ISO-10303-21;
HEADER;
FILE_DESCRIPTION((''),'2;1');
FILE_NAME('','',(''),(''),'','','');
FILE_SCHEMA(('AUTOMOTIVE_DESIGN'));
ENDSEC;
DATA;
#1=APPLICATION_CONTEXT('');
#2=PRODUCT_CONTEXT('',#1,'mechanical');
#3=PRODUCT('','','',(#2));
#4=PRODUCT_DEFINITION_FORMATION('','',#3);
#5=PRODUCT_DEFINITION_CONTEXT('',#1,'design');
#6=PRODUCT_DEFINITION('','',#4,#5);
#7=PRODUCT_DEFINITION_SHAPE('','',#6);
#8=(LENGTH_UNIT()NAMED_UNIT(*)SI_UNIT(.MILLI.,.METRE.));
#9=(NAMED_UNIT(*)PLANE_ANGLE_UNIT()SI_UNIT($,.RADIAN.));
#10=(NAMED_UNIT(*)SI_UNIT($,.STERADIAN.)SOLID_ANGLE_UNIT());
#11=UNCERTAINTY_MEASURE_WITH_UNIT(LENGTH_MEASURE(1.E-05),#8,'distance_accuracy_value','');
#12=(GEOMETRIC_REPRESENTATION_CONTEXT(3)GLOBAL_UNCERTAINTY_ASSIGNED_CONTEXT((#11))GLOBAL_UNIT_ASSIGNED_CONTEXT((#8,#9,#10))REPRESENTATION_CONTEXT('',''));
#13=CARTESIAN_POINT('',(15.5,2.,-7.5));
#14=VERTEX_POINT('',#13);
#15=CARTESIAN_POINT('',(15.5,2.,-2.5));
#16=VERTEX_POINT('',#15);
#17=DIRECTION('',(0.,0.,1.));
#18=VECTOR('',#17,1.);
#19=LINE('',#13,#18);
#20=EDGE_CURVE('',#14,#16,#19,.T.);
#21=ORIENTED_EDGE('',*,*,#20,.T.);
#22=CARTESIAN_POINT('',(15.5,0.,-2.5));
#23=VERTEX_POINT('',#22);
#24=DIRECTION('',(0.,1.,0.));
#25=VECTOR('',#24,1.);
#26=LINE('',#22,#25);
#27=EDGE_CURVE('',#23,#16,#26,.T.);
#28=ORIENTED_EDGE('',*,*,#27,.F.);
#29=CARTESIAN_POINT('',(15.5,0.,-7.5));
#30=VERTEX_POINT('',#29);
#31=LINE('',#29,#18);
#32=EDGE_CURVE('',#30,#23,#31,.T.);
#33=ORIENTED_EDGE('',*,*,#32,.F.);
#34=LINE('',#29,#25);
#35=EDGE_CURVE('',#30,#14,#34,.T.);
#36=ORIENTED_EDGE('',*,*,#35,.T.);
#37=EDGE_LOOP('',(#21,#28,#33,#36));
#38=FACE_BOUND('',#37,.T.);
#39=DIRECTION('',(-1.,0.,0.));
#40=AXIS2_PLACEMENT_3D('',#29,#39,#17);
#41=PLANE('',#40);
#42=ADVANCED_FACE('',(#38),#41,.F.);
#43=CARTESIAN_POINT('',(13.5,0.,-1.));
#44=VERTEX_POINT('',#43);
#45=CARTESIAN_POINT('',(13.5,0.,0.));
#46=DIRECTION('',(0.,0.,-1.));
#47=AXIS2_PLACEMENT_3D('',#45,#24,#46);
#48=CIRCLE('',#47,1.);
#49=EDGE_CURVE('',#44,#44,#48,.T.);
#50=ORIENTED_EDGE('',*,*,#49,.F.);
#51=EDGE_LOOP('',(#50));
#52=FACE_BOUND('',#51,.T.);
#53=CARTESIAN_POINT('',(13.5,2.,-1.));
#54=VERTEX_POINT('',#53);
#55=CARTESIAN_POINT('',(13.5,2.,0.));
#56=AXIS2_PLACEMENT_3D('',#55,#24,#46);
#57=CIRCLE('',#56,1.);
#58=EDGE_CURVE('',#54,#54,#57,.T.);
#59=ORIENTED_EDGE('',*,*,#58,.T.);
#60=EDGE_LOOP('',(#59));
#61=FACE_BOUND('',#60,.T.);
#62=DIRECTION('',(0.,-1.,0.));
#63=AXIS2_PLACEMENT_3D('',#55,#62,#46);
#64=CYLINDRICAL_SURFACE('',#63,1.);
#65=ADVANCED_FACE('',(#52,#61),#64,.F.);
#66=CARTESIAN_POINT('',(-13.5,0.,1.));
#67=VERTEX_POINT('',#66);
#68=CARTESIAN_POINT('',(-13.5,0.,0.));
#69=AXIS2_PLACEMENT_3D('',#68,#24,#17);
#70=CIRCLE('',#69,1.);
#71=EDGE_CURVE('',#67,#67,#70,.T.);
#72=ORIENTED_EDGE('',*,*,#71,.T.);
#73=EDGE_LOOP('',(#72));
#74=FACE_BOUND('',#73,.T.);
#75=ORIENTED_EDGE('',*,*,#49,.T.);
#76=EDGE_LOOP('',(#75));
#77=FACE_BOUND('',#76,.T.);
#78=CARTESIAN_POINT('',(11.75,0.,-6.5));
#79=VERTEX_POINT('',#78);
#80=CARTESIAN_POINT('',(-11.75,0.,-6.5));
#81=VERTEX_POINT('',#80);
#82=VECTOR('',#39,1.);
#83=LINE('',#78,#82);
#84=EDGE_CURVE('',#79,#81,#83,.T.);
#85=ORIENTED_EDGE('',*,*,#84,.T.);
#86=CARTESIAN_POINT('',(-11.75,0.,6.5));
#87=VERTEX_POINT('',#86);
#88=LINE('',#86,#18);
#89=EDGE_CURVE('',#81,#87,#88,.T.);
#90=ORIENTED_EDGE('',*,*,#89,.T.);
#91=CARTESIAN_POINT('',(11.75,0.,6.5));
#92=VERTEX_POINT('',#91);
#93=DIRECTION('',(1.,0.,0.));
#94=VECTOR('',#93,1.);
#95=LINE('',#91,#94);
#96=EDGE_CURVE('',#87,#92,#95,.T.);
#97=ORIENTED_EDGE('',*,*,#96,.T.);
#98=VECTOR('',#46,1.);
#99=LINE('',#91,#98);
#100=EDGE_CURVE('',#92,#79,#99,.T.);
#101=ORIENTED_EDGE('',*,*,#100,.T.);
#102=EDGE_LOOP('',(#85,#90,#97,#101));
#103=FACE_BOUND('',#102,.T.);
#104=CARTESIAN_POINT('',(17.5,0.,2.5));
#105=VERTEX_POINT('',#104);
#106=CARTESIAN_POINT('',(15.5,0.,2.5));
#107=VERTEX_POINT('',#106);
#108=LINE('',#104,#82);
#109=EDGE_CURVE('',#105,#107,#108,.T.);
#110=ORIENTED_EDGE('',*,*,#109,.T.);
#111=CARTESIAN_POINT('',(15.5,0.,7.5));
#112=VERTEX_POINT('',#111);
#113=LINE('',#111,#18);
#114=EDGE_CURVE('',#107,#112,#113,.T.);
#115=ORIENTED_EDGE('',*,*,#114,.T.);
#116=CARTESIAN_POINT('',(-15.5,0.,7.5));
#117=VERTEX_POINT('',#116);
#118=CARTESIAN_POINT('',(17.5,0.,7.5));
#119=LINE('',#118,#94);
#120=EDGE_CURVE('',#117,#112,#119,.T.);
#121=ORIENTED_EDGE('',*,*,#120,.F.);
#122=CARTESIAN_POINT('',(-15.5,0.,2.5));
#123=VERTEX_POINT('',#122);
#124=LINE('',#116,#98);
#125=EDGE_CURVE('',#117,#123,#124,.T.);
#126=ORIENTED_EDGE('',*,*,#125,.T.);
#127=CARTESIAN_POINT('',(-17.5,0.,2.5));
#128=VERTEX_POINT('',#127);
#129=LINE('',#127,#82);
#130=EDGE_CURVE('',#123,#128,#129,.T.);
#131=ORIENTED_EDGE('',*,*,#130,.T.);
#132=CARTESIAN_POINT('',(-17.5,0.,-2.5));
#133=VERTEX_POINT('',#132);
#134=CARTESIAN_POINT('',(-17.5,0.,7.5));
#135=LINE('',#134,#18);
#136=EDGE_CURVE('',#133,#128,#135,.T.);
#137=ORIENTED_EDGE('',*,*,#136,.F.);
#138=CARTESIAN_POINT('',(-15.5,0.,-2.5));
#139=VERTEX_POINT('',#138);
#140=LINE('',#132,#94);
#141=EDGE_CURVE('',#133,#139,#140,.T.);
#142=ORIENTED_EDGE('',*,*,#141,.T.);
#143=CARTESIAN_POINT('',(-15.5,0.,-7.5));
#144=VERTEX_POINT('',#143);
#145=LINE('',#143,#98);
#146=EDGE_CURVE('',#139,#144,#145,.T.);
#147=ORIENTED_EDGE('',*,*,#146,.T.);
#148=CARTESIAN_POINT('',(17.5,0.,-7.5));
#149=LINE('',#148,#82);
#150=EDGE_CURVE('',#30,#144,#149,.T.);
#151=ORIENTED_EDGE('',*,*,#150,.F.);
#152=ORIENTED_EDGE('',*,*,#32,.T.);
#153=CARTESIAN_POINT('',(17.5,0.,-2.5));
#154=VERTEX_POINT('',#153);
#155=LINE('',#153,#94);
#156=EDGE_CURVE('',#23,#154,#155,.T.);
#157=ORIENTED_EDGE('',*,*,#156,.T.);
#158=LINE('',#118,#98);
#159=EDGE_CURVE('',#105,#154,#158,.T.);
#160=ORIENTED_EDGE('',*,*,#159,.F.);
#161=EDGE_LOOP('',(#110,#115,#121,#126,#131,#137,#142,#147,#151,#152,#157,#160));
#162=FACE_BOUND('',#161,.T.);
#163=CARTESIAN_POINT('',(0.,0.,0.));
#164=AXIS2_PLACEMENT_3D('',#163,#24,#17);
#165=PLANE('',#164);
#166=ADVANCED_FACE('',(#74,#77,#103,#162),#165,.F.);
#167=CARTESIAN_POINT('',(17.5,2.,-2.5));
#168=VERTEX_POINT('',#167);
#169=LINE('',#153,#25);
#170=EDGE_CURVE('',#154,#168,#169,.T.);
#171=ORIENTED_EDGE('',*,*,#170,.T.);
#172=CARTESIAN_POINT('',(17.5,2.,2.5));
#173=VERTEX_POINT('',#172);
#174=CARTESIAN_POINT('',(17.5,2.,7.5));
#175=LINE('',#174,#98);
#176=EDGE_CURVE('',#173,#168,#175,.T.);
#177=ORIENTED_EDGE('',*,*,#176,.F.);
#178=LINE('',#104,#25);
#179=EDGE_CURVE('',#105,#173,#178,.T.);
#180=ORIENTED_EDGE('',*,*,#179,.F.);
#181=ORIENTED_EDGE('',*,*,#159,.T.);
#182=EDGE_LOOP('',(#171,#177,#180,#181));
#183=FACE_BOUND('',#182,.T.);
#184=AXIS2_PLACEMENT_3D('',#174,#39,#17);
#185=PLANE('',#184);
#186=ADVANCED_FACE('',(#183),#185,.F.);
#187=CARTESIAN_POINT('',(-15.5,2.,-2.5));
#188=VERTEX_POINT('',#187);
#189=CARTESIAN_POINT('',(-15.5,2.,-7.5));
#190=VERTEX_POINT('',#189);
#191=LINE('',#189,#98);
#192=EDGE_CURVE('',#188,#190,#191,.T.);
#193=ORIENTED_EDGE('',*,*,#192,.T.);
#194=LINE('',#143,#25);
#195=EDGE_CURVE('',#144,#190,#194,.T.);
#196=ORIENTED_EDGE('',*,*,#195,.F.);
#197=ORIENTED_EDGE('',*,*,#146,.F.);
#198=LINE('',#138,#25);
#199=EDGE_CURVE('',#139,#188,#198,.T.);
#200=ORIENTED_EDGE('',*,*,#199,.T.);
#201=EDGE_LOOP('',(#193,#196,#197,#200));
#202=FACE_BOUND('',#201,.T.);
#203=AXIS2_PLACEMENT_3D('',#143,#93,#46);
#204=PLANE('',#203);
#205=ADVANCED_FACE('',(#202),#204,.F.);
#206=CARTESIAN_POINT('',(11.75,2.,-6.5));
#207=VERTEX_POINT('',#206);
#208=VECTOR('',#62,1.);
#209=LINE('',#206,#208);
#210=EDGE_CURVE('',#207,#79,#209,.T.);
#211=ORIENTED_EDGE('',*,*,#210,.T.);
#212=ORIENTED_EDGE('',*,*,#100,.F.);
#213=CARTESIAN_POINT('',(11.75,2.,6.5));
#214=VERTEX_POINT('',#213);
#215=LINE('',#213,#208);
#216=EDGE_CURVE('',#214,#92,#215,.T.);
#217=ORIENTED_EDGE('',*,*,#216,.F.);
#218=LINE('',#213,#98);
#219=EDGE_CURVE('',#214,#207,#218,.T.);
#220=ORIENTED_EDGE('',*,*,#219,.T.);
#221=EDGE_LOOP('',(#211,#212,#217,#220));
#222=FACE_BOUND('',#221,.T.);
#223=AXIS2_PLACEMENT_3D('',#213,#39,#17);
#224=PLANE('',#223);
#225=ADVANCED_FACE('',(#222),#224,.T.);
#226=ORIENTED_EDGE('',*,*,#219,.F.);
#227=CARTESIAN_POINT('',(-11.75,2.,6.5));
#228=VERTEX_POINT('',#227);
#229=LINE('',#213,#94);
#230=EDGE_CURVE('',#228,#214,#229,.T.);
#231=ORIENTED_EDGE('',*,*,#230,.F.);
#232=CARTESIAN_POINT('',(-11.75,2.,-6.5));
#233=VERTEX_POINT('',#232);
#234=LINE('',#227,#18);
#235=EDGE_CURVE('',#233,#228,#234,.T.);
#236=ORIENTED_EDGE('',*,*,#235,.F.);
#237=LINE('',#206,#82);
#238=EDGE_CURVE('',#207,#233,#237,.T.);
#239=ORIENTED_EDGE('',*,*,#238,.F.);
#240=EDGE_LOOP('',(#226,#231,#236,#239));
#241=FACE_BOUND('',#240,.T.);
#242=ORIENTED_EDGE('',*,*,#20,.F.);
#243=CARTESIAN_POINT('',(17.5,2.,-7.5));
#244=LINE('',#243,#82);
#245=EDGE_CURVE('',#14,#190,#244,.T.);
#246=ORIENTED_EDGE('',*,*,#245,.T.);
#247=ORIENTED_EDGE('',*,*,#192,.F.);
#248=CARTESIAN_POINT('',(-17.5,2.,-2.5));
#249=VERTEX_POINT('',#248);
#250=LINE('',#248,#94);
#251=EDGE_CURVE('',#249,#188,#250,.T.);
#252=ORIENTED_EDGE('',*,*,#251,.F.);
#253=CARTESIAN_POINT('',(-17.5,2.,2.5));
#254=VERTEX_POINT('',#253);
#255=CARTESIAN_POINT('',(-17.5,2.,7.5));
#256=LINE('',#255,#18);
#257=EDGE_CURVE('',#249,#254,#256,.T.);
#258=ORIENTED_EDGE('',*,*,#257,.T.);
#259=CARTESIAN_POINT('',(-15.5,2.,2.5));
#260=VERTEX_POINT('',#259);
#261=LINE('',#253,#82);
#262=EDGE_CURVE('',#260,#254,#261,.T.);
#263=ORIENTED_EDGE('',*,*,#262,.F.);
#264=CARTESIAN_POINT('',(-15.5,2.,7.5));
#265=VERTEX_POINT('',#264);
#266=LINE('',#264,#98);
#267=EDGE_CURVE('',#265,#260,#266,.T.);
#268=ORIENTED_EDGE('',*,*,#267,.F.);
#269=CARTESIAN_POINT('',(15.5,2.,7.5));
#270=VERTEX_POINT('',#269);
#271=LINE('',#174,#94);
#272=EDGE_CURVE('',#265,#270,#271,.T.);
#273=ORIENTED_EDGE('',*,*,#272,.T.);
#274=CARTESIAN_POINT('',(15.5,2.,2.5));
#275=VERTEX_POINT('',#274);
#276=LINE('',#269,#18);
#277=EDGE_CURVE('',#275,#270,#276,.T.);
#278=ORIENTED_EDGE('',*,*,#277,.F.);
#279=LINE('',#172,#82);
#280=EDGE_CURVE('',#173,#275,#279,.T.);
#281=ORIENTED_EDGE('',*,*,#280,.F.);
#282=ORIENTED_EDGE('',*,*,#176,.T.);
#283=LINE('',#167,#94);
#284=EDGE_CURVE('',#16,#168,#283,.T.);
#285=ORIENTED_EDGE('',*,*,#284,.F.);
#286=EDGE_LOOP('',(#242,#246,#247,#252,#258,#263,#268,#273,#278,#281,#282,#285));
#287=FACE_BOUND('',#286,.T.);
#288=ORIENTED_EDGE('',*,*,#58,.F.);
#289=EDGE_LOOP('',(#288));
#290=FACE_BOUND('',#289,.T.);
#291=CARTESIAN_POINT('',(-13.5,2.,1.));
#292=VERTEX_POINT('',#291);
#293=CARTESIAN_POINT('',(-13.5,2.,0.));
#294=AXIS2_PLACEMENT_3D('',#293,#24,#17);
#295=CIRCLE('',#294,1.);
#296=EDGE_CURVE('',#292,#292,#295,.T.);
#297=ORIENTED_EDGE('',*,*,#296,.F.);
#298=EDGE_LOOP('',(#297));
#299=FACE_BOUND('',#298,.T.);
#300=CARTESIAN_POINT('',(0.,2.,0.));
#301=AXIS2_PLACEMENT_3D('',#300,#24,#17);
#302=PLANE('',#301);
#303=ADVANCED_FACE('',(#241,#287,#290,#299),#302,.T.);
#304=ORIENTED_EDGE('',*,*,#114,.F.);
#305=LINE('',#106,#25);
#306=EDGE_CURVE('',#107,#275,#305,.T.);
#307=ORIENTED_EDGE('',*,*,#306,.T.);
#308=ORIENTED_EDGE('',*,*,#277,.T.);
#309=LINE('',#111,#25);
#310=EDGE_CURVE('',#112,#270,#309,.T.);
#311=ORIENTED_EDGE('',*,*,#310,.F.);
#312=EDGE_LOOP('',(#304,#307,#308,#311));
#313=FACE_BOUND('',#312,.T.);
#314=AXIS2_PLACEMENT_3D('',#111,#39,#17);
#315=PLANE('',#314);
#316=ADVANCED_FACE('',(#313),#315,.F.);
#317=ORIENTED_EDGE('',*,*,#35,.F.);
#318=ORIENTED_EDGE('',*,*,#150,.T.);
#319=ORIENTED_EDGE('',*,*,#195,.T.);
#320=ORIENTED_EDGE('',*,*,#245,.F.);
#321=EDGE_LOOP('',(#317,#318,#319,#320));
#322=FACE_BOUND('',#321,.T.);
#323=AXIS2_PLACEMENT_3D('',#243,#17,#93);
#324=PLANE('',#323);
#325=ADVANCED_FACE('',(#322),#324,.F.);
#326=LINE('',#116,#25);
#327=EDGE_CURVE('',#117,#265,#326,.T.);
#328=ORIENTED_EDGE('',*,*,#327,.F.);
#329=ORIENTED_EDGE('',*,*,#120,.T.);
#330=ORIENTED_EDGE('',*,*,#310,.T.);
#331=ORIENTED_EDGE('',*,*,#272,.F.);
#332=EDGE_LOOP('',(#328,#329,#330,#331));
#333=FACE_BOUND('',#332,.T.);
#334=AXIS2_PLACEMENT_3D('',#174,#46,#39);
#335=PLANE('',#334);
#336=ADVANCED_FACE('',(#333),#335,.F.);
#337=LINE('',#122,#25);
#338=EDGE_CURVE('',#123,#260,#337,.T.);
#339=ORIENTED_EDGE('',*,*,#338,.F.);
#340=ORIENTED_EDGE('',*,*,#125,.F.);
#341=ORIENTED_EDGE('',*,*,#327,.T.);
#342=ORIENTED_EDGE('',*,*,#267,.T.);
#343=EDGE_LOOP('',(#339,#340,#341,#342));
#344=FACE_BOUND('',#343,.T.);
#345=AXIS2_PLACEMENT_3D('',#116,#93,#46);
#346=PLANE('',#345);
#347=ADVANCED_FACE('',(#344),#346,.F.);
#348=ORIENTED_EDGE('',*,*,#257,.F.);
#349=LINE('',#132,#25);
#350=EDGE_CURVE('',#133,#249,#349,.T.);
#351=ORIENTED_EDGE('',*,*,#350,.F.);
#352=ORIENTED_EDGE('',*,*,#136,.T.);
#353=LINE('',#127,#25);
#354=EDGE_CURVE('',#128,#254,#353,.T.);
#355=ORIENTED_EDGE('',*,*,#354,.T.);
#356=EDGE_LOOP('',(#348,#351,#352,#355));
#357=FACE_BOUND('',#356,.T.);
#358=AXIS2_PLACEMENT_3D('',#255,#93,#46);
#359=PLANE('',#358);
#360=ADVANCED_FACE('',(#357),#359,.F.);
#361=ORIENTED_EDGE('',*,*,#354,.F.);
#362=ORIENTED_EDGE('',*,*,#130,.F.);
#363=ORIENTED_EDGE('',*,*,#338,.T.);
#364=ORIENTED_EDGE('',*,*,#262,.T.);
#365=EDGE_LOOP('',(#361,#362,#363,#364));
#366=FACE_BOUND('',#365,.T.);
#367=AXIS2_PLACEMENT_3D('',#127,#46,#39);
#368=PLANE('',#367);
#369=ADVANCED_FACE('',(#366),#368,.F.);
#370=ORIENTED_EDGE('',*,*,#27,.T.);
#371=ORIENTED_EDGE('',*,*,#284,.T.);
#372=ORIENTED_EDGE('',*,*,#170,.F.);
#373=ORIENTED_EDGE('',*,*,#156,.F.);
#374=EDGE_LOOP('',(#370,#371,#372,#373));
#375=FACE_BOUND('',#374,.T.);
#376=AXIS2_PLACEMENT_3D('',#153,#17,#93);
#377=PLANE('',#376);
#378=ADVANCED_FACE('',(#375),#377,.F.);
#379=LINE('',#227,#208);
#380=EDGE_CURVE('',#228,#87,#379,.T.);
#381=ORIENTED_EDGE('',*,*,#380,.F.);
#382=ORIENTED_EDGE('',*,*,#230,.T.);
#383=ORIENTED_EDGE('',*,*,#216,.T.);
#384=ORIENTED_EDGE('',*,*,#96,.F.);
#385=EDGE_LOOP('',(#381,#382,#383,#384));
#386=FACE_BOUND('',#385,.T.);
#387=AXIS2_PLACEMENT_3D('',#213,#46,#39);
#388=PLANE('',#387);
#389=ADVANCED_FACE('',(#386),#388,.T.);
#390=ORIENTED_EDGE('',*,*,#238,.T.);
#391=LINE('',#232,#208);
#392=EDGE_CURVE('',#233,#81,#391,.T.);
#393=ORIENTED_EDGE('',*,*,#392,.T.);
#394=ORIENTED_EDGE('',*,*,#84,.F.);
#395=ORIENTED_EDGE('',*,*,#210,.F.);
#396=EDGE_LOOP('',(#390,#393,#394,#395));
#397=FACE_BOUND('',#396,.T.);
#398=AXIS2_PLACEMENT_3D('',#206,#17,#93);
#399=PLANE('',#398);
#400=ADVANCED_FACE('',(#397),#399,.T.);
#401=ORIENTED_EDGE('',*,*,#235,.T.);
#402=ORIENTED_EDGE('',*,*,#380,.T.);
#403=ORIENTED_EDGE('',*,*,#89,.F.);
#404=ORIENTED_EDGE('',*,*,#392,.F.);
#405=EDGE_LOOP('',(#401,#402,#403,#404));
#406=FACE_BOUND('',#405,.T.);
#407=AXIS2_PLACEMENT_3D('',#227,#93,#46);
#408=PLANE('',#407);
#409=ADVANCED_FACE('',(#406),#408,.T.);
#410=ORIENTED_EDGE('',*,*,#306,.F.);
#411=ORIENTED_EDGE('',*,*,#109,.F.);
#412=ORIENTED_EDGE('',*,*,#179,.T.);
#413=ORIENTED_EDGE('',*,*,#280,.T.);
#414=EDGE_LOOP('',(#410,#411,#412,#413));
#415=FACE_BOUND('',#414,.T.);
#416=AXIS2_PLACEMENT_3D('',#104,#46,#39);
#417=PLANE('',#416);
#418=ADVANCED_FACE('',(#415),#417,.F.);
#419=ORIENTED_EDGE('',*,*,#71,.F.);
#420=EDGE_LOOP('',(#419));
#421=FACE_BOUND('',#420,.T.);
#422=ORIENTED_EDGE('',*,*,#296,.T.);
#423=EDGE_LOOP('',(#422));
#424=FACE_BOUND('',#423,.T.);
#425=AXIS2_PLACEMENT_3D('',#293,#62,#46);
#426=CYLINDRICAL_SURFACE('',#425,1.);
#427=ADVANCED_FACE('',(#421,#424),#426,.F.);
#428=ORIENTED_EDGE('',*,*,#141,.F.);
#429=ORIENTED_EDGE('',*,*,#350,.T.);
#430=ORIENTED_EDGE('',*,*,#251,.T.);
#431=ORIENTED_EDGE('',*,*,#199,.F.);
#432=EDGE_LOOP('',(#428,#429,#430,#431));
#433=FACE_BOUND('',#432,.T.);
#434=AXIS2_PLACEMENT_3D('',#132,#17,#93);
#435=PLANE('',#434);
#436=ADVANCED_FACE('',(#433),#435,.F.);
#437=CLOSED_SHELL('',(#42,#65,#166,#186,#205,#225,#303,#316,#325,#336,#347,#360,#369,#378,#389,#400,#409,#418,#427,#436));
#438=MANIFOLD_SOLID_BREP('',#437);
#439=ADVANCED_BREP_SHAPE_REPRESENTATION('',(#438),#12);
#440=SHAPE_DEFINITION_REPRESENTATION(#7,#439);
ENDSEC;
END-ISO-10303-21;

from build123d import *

# Parameters (mm, degrees)
SKETCH1_W           = 35
SKETCH1_H           = 15
SKETCH1_R           = 1
SKETCH1_W_2         = 23.5
SKETCH1_H_2         = 13
BOSS_EXTRUDE1_DEPTH = 2
SKETCH2_W           = 2
SKETCH2_H           = 5
CUT_EXTRUDE1_DEPTH  = 2


with BuildPart() as part:
    # Sketch1 → Boss-Extrude1 (new body)
    with BuildSketch(Plane(origin=(0, 0, 0), x_dir=(1, 0, 0), z_dir=(0, 1, 0))):
        Rectangle(SKETCH1_W, SKETCH1_H)
        with Locations(Location((-13.5, 0, 0), (0, 0, 270))):
            Circle(SKETCH1_R, mode=Mode.SUBTRACT)
        with Locations(Location((13.5, 0, 0), (0, 0, 90))):
            Circle(SKETCH1_R, mode=Mode.SUBTRACT)
        Rectangle(SKETCH1_W_2, SKETCH1_H_2, mode=Mode.SUBTRACT)
    extrude(amount=BOSS_EXTRUDE1_DEPTH)

    # Sketch2 → Cut-Extrude1 (cut)
    with BuildSketch(Plane(origin=(0, 2, 0), x_dir=(1, 0, 0), z_dir=(0, 1, 0))):
        with Locations((16.5, 5)):
            Rectangle(SKETCH2_W, SKETCH2_H)
        with Locations((16.5, -5)):
            Rectangle(SKETCH2_W, SKETCH2_H)
        with Locations((-16.5, -5)):
            Rectangle(SKETCH2_W, SKETCH2_H)
        with Locations((-16.5, 5)):
            Rectangle(SKETCH2_W, SKETCH2_H)
    extrude(amount=-CUT_EXTRUDE1_DEPTH, mode=Mode.SUBTRACT)


solid = part.part
